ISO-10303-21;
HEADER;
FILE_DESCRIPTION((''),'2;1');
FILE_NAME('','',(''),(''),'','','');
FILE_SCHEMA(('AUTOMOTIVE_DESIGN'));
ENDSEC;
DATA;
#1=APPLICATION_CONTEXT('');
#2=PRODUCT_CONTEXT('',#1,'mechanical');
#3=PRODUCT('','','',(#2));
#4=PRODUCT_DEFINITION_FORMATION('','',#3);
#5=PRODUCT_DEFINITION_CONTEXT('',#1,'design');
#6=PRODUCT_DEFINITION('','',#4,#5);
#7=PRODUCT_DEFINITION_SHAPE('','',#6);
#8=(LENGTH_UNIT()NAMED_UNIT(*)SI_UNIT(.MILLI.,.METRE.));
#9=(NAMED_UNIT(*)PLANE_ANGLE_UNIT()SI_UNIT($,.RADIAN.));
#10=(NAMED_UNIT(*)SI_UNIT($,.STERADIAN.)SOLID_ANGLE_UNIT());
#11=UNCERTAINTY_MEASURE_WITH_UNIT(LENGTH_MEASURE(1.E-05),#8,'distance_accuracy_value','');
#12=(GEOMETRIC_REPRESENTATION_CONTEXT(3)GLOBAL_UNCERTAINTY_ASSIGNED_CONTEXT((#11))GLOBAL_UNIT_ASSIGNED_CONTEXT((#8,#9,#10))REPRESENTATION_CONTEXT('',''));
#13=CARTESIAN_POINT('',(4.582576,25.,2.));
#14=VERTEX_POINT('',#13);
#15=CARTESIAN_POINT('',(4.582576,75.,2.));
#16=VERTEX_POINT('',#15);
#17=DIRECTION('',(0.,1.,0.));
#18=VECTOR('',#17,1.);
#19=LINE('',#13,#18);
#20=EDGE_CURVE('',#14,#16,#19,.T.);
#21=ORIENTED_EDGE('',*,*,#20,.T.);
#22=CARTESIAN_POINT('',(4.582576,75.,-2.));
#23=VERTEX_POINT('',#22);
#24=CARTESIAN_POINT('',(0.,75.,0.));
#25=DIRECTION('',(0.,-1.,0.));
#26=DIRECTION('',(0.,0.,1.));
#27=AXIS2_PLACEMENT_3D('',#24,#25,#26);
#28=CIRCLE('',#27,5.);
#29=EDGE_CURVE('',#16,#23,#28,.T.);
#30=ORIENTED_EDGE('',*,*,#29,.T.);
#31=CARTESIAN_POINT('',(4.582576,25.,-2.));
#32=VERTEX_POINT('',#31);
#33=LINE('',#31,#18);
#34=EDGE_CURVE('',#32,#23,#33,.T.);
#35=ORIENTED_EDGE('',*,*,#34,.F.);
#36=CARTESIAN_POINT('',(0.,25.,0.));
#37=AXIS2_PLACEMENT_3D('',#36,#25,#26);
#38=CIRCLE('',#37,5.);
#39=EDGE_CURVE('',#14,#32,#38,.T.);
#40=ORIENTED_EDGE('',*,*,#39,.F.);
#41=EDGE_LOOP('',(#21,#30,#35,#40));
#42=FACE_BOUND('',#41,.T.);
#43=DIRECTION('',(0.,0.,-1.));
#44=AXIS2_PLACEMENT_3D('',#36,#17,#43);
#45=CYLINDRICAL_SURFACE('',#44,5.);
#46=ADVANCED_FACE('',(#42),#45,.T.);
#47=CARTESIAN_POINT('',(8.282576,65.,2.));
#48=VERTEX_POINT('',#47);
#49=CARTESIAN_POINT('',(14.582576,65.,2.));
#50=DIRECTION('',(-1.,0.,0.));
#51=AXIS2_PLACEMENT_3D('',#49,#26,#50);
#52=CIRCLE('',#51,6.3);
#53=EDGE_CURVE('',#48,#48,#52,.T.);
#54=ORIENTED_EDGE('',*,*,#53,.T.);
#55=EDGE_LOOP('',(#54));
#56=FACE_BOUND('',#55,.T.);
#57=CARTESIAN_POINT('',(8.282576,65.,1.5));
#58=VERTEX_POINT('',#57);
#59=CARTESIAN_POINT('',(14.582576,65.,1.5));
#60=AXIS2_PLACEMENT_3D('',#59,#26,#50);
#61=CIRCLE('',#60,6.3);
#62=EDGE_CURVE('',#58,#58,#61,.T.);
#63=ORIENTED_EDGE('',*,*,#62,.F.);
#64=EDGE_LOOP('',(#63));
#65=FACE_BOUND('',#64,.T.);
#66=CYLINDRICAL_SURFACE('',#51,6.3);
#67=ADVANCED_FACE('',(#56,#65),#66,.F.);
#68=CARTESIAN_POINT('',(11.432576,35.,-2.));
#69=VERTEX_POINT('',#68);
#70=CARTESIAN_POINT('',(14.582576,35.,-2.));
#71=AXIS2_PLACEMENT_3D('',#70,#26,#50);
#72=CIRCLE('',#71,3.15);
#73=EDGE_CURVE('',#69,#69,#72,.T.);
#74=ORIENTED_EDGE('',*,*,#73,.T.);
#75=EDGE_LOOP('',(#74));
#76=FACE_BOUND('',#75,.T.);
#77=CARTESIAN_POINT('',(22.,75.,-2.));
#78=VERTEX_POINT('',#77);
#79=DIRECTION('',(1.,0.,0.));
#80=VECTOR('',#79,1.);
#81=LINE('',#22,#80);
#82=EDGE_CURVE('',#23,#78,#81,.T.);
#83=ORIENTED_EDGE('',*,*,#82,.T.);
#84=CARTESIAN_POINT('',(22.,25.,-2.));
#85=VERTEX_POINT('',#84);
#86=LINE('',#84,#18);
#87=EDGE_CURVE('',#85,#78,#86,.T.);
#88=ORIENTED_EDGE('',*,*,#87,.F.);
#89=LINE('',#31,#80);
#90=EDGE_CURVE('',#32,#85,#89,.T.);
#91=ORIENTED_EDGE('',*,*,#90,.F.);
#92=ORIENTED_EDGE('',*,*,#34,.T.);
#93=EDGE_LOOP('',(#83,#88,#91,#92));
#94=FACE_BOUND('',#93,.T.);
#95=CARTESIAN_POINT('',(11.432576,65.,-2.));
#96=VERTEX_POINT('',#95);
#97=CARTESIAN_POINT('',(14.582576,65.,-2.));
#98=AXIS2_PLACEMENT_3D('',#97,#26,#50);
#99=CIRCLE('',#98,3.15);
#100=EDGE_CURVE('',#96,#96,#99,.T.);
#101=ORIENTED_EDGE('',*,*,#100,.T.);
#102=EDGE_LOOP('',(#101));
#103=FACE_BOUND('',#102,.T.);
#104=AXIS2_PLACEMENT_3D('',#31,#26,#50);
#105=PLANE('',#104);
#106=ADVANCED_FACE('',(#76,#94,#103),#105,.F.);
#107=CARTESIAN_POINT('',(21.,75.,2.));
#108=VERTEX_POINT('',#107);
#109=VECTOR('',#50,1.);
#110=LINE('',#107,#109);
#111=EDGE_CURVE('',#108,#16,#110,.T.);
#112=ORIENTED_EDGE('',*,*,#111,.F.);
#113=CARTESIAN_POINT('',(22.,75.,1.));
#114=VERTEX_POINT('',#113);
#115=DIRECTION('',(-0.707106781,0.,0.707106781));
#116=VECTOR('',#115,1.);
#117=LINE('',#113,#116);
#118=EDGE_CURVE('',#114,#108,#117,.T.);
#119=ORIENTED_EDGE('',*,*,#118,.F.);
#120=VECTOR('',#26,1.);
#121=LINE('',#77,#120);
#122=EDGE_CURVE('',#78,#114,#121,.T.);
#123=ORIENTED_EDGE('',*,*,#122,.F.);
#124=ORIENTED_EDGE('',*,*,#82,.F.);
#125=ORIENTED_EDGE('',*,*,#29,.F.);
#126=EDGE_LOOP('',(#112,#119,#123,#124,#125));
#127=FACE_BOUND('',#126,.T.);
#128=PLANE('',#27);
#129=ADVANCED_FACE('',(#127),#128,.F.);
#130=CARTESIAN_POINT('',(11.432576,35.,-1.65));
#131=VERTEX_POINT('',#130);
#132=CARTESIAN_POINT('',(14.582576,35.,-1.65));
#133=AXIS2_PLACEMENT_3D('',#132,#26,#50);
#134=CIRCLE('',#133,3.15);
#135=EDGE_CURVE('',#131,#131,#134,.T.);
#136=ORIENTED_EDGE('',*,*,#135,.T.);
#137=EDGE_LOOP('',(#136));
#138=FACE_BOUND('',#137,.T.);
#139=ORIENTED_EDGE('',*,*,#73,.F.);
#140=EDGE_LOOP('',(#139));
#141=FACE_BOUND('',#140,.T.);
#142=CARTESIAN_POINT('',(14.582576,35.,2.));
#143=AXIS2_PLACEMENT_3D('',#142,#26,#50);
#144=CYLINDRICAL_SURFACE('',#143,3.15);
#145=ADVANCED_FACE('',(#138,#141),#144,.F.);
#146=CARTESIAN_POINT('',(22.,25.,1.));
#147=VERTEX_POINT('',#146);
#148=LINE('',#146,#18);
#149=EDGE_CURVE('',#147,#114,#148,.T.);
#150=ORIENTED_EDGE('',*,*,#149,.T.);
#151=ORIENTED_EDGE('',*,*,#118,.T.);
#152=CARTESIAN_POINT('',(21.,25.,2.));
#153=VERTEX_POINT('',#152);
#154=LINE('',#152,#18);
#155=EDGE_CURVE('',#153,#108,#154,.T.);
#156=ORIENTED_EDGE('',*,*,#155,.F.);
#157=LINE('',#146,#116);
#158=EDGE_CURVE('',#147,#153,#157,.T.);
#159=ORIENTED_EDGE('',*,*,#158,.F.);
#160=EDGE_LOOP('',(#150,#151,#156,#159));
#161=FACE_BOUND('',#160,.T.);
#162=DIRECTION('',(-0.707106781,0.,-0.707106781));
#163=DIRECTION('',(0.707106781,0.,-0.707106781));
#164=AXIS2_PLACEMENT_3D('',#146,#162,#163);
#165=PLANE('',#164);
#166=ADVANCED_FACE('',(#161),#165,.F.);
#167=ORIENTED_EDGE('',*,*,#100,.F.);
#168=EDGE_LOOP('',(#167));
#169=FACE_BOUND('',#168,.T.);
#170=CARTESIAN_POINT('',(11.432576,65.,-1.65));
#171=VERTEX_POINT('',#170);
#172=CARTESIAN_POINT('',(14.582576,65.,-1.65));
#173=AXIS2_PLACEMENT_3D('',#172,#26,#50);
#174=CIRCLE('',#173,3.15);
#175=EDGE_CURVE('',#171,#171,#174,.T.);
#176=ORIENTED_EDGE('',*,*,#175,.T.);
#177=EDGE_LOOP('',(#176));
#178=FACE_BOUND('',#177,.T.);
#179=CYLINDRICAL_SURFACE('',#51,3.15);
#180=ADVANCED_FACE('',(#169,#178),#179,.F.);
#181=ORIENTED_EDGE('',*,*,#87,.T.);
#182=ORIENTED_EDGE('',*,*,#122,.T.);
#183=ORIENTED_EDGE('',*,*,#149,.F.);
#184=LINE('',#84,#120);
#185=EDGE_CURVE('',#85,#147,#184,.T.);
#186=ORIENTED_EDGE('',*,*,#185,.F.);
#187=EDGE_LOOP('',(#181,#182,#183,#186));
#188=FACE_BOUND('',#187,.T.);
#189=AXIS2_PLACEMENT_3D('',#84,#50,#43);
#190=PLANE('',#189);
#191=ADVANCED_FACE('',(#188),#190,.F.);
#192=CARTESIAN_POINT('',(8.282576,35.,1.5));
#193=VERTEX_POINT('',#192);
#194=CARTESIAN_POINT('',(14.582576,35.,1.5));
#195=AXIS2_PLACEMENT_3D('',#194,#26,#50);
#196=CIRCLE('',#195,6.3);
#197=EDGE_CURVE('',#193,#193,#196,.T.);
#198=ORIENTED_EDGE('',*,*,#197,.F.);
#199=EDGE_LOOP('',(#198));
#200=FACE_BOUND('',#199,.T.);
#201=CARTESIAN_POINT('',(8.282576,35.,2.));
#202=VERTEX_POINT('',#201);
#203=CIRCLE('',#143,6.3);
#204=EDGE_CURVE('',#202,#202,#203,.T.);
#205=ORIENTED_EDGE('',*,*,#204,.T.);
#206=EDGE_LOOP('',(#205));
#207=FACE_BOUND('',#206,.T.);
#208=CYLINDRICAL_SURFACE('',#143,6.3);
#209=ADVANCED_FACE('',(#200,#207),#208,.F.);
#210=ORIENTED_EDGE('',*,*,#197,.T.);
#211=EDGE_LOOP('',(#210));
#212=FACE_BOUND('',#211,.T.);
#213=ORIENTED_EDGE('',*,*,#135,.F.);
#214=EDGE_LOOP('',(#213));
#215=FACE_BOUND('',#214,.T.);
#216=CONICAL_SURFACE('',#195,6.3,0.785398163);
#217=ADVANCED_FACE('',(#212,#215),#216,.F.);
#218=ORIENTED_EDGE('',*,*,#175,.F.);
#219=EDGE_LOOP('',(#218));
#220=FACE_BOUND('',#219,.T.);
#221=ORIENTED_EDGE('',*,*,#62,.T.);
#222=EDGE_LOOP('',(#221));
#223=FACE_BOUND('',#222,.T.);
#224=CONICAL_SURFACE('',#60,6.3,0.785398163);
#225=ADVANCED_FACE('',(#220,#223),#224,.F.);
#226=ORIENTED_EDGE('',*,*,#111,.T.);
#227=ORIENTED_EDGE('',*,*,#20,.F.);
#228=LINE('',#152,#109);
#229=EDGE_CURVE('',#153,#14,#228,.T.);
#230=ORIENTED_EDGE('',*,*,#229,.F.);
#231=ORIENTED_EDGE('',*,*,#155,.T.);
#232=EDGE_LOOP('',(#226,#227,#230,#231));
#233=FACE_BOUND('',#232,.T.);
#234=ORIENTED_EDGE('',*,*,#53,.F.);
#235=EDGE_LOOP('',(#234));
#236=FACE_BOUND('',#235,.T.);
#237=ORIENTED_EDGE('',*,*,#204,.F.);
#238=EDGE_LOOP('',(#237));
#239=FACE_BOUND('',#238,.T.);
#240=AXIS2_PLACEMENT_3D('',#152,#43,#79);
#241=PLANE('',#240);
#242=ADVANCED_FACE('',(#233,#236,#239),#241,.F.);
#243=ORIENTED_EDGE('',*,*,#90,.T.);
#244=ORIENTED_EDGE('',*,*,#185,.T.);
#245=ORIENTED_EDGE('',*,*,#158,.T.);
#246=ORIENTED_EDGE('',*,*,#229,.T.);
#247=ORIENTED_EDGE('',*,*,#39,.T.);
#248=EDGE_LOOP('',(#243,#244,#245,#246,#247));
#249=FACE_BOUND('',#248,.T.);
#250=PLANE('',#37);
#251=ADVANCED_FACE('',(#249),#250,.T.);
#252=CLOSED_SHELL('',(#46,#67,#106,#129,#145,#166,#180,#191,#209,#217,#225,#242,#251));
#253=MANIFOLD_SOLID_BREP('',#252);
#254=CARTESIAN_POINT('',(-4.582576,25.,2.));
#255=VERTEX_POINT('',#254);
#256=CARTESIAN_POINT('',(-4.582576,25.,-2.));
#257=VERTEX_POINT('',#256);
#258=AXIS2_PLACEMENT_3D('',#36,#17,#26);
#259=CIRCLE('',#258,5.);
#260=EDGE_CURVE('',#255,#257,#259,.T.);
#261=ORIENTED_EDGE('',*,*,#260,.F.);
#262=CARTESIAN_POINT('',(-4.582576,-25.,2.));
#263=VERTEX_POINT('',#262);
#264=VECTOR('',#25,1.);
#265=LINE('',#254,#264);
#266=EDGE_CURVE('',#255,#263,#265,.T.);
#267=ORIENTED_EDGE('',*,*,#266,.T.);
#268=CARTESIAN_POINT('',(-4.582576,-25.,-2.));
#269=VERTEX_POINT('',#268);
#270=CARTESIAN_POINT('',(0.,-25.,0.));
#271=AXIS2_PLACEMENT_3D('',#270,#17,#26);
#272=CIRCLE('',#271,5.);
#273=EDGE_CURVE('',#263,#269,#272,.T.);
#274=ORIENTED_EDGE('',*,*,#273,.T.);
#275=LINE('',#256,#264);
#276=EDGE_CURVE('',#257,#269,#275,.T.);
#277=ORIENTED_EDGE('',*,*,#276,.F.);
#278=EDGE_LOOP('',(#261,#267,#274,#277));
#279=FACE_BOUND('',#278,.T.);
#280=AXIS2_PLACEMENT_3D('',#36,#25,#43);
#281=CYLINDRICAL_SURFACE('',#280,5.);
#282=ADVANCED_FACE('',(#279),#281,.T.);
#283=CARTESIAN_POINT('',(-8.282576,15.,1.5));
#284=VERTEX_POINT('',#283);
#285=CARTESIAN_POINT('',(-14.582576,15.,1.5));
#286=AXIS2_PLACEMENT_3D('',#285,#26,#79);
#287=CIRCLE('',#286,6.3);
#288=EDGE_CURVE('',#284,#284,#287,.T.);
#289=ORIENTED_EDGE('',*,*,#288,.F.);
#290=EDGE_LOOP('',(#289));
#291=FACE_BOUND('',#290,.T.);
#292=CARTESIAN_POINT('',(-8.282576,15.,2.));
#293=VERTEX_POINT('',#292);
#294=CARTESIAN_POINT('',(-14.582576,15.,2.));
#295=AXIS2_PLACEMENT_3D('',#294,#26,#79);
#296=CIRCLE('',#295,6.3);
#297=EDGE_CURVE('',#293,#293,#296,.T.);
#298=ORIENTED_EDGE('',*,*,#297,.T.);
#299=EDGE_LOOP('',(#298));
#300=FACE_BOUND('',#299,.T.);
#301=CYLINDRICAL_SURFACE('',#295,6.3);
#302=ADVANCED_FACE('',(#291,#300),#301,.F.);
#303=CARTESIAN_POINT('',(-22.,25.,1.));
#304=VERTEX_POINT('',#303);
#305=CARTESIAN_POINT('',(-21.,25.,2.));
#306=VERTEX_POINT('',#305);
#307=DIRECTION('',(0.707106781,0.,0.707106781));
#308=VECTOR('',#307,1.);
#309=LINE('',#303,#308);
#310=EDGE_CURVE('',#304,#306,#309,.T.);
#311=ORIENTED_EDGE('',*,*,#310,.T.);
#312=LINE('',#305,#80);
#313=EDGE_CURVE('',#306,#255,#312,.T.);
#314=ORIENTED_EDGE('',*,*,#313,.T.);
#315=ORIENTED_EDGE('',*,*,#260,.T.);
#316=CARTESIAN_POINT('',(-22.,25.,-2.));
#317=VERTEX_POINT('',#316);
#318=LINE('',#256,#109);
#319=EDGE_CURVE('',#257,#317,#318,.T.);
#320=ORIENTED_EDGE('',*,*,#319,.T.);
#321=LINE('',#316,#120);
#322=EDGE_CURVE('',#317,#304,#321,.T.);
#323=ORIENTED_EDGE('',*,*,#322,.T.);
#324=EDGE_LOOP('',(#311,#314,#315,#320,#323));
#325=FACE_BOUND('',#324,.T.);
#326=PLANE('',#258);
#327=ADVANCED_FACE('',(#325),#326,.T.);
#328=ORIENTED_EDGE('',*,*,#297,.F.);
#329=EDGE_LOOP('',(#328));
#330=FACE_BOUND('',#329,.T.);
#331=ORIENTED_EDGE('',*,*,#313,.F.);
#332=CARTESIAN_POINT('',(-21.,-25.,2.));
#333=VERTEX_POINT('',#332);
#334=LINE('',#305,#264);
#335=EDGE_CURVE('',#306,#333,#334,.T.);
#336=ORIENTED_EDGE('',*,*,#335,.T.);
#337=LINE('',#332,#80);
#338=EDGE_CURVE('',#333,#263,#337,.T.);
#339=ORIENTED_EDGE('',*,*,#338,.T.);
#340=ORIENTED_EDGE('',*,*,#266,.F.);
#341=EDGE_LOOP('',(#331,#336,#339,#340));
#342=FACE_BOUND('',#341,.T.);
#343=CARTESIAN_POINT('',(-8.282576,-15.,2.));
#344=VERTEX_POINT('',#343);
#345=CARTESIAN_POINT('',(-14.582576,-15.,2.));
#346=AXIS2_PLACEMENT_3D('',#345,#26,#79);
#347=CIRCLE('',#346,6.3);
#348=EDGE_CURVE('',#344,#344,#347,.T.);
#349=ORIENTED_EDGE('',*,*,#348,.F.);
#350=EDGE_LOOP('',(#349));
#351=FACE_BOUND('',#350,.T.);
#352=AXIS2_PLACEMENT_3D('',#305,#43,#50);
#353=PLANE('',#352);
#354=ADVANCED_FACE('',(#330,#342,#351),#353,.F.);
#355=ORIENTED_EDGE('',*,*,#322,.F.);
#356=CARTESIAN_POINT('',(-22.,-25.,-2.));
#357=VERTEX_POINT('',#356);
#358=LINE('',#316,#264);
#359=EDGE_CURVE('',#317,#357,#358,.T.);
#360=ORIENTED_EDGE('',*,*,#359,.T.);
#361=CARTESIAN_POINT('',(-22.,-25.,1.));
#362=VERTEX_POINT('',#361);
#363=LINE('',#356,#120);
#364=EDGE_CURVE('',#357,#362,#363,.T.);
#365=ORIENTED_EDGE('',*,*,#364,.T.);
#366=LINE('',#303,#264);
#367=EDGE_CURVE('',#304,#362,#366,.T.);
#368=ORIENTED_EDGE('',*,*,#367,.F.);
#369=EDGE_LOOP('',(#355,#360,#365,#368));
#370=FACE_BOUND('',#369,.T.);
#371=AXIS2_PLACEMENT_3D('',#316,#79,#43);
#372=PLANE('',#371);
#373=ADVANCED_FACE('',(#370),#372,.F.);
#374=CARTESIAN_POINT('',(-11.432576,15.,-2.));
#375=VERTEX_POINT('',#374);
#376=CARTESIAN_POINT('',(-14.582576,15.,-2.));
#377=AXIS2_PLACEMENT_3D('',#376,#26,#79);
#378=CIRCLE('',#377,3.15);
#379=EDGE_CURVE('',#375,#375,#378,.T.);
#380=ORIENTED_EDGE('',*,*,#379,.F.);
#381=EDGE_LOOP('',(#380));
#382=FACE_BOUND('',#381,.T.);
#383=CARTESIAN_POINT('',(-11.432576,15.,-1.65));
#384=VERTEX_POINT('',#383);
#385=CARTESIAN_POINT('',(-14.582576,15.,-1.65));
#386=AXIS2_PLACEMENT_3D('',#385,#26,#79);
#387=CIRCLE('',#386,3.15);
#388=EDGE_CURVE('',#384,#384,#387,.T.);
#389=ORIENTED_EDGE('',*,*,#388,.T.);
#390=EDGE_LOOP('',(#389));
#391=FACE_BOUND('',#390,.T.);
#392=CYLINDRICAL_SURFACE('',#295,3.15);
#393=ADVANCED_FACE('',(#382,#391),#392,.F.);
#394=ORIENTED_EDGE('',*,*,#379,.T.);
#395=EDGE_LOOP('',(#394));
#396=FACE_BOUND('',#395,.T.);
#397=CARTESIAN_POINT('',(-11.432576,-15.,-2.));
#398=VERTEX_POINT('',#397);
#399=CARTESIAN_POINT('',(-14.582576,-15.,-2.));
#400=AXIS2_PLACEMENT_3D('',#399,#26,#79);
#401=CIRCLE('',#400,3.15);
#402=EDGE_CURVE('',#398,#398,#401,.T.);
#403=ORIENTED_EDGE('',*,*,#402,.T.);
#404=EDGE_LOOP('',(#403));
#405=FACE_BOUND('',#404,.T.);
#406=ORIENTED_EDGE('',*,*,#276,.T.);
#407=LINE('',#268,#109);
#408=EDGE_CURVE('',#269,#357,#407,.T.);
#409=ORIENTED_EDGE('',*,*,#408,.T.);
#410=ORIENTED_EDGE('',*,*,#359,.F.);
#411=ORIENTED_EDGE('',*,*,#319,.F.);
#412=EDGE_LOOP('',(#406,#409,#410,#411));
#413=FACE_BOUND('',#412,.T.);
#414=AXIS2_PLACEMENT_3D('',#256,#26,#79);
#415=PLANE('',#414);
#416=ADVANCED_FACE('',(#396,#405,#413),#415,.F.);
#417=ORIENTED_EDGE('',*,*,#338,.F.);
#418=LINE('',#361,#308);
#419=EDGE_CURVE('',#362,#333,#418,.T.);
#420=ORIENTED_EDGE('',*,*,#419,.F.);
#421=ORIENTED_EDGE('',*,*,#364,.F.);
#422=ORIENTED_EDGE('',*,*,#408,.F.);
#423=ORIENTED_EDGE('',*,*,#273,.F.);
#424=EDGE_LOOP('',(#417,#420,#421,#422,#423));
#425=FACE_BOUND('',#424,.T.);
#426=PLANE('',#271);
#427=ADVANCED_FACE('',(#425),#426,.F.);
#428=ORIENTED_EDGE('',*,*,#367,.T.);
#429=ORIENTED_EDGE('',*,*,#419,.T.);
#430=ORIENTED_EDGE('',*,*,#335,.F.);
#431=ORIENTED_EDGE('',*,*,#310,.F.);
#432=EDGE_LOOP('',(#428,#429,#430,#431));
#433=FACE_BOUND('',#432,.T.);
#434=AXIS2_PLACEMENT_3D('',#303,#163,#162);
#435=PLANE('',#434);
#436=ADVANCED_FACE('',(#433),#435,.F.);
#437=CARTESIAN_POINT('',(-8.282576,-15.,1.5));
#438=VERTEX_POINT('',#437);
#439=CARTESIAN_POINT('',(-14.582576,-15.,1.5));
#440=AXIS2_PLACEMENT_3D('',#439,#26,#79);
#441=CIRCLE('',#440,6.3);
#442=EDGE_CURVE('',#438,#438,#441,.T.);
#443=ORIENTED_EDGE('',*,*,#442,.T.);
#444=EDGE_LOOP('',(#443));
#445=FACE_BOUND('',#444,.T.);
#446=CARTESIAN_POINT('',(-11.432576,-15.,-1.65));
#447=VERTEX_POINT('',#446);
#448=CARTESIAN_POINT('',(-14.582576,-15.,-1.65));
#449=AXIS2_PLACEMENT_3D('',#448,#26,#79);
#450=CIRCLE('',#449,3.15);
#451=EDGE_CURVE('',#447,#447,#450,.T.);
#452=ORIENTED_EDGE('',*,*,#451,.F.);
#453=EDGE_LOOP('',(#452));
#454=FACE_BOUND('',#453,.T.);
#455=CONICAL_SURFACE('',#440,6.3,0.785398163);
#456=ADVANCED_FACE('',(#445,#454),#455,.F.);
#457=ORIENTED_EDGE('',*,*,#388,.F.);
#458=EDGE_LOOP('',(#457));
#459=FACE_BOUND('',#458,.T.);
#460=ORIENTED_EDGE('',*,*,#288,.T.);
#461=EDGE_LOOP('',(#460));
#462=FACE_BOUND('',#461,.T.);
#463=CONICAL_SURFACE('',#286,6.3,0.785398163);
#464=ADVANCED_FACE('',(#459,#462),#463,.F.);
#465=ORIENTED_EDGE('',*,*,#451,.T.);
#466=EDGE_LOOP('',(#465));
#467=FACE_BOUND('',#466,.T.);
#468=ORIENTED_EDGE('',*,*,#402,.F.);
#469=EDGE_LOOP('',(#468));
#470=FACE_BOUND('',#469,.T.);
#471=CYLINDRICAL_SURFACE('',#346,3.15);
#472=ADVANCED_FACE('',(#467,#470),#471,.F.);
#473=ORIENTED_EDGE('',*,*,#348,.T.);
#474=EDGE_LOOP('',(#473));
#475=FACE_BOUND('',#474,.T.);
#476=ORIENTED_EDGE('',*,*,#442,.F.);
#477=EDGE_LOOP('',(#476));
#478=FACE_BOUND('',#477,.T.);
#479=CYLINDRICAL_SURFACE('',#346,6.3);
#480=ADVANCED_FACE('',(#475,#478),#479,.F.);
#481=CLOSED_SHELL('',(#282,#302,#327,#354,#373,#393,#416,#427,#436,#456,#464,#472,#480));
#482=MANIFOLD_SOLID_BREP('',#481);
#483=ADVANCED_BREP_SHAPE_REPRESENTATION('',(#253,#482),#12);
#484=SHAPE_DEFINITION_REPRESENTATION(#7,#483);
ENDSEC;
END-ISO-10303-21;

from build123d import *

# Parameters (mm, degrees)
EXTRUDE_1_DEPTH            = 25
HOLE_WIZARD_M61_AT_2_COUNT = 2
HOLE_WIZARD_M61_AT_2_PITCH = 30
PATTERN_CIRCULAR_1_COUNT   = 2


with BuildPart() as part:
    # Эскиз1 → Бобышка-Вытянуть1 (new body, symmetric)
    with BuildSketch(Plane(origin=(0, 0, 0), x_dir=(1, 0, 0), z_dir=(0, 1, 0))):
        with BuildLine():
            Line((-4.582575695, 2), (-22, 2))
            Line((-22, 2), (-22, -1))
            Line((-22, -1), (-21, -2))
            Line((-21, -2), (-4.582575695, -2))
            ThreePointArc((-4.582575695, -2), (5, 0), (-4.582575695, 2))
        make_face()
    extrude(amount=EXTRUDE_1_DEPTH, both=True)

    # Эскиз6 → Зенковка для винта с полупотайной головкой M61 (revolve, cut)
    with BuildSketch(Plane(origin=(-14.582575695, 15, 2), x_dir=(0, -1, 0), z_dir=(1, 0, 0))):
        Polygon((0, 0), (0, 7), (3.15, 7), (3.15, 3.65), (6.3, 0.5), (6.3, 0), align=None)
    hole_wizard_m61 = revolve(axis=Axis((-14.582575695, 15, 8.35), (0, 0, -1)), mode=Mode.SUBTRACT)

    # Зенковка для винта с полупотайной головкой M61 at 2: Зенковка для винта с полупотайной головкой M61 ×2
    with Locations(*[(0, -i * HOLE_WIZARD_M61_AT_2_PITCH, 0) for i in range(1, HOLE_WIZARD_M61_AT_2_COUNT)]):
        add(hole_wizard_m61, mode=Mode.SUBTRACT)


with BuildPart() as pattern_circular_1_1:
    # Круговой массив1: pattern copy
    add(part.part.rotate(Axis((0, 25, 0), (0, 0, 1)), 1 * 360 / PATTERN_CIRCULAR_1_COUNT))


solid = Compound([part.part, pattern_circular_1_1.part])
